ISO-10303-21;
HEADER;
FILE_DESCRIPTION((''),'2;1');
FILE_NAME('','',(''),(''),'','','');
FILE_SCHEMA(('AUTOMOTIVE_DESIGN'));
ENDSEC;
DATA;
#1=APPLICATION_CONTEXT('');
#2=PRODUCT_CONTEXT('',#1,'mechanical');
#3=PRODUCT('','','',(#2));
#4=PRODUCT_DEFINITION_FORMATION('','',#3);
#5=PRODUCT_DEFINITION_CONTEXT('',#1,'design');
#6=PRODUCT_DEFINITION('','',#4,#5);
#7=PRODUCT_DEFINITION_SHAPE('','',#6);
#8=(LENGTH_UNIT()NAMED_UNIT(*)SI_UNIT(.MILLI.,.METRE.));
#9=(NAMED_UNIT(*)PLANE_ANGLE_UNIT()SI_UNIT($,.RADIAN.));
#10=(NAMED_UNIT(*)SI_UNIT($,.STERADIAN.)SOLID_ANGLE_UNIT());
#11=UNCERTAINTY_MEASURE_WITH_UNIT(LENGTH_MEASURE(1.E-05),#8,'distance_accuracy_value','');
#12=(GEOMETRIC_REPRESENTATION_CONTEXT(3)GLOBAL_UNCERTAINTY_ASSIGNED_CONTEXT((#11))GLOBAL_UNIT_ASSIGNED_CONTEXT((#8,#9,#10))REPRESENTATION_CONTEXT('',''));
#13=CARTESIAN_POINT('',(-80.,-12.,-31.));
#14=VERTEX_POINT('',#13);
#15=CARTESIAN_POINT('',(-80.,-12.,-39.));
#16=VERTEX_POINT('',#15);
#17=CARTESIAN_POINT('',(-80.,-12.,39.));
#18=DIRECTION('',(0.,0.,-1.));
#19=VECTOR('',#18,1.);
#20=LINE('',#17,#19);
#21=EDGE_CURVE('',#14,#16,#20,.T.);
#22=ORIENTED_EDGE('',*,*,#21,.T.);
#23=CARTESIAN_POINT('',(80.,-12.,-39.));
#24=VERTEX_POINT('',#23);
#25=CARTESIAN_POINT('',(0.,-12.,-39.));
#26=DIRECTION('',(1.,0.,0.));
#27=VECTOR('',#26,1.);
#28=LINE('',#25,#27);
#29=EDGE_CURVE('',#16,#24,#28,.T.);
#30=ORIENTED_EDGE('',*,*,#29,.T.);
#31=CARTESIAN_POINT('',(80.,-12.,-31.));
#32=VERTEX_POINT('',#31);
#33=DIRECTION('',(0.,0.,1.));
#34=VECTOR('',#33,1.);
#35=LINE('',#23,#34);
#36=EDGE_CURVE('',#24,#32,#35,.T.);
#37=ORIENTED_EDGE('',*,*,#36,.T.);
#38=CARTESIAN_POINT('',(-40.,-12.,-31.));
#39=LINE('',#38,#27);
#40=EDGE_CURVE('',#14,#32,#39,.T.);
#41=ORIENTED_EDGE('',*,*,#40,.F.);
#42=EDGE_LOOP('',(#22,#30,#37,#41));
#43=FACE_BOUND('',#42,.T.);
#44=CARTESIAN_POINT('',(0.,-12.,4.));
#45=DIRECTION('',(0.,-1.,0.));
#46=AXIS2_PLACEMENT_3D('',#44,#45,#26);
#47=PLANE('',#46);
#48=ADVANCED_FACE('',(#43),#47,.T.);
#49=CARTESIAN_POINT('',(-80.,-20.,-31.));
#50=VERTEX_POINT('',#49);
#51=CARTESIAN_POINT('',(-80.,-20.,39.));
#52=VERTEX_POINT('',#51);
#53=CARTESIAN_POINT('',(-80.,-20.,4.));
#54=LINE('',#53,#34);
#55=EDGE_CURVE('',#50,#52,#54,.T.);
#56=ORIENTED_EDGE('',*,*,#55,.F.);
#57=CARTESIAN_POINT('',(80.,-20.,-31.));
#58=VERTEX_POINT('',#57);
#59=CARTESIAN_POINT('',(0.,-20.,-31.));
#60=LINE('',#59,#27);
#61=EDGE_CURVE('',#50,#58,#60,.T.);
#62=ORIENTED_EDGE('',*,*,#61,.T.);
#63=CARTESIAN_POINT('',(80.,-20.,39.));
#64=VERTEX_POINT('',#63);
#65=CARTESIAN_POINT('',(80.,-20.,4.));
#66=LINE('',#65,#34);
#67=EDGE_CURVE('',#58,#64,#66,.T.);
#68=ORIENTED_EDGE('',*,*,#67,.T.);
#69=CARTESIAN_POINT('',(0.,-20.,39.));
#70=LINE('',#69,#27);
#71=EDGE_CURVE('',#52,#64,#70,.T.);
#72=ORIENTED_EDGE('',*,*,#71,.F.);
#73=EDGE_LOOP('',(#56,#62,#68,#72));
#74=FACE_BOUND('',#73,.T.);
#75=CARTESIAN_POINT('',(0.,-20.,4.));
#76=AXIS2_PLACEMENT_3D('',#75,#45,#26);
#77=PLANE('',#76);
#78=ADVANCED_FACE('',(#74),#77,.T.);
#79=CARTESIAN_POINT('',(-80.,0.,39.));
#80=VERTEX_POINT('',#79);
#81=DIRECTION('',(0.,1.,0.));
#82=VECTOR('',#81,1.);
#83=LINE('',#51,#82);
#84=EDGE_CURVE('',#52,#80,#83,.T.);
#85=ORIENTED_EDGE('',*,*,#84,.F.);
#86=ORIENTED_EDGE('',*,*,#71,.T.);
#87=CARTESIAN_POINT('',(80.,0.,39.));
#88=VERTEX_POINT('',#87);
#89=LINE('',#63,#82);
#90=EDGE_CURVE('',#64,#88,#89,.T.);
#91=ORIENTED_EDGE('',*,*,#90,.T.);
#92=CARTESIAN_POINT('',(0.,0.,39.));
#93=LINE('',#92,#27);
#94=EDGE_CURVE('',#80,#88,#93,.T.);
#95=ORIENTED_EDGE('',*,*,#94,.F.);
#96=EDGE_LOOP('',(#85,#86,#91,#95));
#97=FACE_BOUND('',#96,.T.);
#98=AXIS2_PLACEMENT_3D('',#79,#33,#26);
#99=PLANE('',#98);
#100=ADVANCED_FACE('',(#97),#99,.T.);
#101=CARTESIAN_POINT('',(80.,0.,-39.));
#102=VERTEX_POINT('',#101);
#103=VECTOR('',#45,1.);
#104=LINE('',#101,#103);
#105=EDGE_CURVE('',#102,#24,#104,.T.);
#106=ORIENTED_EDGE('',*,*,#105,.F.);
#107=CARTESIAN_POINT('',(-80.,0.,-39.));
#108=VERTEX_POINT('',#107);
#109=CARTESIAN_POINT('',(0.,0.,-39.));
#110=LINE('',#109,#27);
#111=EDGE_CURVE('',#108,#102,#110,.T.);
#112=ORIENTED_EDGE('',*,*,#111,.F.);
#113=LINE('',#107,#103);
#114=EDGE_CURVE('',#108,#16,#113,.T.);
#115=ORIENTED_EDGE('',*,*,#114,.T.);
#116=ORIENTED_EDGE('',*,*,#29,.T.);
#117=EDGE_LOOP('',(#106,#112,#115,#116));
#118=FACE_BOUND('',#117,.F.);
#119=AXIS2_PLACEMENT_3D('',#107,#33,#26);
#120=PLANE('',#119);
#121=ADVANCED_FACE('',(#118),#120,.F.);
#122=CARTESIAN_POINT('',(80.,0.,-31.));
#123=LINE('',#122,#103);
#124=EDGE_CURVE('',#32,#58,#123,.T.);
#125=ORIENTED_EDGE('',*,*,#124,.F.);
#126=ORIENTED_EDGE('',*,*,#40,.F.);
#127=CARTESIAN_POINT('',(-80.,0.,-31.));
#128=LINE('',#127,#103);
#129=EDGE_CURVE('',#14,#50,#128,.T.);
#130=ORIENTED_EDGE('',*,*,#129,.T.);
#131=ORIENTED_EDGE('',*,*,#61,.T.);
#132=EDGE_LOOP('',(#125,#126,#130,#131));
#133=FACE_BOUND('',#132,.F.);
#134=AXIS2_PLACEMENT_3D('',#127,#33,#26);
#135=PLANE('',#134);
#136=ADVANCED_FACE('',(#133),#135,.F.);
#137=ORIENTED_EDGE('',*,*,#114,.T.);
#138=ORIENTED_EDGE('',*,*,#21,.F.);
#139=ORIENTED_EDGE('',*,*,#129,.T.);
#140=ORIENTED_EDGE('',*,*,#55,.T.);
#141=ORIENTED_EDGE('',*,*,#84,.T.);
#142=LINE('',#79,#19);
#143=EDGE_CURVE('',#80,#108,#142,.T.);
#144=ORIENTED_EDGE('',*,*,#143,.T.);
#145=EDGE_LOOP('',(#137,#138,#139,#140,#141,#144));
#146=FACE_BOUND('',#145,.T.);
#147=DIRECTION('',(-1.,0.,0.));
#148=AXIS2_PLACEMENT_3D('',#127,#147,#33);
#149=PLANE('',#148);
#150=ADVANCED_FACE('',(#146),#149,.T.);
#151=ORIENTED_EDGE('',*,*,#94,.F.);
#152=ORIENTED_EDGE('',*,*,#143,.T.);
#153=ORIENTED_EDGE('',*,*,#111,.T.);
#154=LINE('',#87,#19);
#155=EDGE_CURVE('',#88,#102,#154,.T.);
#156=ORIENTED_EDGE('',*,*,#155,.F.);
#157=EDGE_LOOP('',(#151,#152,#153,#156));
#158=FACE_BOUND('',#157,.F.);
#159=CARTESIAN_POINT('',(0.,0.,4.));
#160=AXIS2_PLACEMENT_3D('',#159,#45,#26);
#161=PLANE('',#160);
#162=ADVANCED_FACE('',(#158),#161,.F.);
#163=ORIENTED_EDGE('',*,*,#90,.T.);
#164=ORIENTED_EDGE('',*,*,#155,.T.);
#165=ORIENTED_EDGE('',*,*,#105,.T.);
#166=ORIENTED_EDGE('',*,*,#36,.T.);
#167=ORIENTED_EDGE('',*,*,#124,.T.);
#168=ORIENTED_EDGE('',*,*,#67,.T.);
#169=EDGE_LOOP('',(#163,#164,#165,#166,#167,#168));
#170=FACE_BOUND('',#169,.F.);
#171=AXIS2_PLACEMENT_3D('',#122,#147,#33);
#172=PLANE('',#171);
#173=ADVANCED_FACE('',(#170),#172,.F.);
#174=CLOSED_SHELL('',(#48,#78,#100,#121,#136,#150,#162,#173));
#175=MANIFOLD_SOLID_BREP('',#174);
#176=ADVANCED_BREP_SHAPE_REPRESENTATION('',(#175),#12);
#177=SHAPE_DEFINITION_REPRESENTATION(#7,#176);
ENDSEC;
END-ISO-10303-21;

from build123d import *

# Parameters (mm, degrees)
F0_W     = 160
F0_H     = 70
F1_DEPTH = 20
F0_H_2   = 8
F2_DEPTH = 12


with BuildPart() as f1:
    # F0 (on Front) → F1 (new body)
    with BuildSketch(Plane.XZ):
        with Locations((0, 4)):
            Rectangle(F0_W, F0_H)
    extrude(amount=F1_DEPTH)

    # F0 (on Front) → F2 (join)
    with BuildSketch(Plane.XZ):
        with Locations((0, 4)):
            Rectangle(F0_W, F0_H)
        with Locations((0, -35)):
            Rectangle(F0_W, F0_H_2)
    extrude(amount=F2_DEPTH)


solid = f1.part
